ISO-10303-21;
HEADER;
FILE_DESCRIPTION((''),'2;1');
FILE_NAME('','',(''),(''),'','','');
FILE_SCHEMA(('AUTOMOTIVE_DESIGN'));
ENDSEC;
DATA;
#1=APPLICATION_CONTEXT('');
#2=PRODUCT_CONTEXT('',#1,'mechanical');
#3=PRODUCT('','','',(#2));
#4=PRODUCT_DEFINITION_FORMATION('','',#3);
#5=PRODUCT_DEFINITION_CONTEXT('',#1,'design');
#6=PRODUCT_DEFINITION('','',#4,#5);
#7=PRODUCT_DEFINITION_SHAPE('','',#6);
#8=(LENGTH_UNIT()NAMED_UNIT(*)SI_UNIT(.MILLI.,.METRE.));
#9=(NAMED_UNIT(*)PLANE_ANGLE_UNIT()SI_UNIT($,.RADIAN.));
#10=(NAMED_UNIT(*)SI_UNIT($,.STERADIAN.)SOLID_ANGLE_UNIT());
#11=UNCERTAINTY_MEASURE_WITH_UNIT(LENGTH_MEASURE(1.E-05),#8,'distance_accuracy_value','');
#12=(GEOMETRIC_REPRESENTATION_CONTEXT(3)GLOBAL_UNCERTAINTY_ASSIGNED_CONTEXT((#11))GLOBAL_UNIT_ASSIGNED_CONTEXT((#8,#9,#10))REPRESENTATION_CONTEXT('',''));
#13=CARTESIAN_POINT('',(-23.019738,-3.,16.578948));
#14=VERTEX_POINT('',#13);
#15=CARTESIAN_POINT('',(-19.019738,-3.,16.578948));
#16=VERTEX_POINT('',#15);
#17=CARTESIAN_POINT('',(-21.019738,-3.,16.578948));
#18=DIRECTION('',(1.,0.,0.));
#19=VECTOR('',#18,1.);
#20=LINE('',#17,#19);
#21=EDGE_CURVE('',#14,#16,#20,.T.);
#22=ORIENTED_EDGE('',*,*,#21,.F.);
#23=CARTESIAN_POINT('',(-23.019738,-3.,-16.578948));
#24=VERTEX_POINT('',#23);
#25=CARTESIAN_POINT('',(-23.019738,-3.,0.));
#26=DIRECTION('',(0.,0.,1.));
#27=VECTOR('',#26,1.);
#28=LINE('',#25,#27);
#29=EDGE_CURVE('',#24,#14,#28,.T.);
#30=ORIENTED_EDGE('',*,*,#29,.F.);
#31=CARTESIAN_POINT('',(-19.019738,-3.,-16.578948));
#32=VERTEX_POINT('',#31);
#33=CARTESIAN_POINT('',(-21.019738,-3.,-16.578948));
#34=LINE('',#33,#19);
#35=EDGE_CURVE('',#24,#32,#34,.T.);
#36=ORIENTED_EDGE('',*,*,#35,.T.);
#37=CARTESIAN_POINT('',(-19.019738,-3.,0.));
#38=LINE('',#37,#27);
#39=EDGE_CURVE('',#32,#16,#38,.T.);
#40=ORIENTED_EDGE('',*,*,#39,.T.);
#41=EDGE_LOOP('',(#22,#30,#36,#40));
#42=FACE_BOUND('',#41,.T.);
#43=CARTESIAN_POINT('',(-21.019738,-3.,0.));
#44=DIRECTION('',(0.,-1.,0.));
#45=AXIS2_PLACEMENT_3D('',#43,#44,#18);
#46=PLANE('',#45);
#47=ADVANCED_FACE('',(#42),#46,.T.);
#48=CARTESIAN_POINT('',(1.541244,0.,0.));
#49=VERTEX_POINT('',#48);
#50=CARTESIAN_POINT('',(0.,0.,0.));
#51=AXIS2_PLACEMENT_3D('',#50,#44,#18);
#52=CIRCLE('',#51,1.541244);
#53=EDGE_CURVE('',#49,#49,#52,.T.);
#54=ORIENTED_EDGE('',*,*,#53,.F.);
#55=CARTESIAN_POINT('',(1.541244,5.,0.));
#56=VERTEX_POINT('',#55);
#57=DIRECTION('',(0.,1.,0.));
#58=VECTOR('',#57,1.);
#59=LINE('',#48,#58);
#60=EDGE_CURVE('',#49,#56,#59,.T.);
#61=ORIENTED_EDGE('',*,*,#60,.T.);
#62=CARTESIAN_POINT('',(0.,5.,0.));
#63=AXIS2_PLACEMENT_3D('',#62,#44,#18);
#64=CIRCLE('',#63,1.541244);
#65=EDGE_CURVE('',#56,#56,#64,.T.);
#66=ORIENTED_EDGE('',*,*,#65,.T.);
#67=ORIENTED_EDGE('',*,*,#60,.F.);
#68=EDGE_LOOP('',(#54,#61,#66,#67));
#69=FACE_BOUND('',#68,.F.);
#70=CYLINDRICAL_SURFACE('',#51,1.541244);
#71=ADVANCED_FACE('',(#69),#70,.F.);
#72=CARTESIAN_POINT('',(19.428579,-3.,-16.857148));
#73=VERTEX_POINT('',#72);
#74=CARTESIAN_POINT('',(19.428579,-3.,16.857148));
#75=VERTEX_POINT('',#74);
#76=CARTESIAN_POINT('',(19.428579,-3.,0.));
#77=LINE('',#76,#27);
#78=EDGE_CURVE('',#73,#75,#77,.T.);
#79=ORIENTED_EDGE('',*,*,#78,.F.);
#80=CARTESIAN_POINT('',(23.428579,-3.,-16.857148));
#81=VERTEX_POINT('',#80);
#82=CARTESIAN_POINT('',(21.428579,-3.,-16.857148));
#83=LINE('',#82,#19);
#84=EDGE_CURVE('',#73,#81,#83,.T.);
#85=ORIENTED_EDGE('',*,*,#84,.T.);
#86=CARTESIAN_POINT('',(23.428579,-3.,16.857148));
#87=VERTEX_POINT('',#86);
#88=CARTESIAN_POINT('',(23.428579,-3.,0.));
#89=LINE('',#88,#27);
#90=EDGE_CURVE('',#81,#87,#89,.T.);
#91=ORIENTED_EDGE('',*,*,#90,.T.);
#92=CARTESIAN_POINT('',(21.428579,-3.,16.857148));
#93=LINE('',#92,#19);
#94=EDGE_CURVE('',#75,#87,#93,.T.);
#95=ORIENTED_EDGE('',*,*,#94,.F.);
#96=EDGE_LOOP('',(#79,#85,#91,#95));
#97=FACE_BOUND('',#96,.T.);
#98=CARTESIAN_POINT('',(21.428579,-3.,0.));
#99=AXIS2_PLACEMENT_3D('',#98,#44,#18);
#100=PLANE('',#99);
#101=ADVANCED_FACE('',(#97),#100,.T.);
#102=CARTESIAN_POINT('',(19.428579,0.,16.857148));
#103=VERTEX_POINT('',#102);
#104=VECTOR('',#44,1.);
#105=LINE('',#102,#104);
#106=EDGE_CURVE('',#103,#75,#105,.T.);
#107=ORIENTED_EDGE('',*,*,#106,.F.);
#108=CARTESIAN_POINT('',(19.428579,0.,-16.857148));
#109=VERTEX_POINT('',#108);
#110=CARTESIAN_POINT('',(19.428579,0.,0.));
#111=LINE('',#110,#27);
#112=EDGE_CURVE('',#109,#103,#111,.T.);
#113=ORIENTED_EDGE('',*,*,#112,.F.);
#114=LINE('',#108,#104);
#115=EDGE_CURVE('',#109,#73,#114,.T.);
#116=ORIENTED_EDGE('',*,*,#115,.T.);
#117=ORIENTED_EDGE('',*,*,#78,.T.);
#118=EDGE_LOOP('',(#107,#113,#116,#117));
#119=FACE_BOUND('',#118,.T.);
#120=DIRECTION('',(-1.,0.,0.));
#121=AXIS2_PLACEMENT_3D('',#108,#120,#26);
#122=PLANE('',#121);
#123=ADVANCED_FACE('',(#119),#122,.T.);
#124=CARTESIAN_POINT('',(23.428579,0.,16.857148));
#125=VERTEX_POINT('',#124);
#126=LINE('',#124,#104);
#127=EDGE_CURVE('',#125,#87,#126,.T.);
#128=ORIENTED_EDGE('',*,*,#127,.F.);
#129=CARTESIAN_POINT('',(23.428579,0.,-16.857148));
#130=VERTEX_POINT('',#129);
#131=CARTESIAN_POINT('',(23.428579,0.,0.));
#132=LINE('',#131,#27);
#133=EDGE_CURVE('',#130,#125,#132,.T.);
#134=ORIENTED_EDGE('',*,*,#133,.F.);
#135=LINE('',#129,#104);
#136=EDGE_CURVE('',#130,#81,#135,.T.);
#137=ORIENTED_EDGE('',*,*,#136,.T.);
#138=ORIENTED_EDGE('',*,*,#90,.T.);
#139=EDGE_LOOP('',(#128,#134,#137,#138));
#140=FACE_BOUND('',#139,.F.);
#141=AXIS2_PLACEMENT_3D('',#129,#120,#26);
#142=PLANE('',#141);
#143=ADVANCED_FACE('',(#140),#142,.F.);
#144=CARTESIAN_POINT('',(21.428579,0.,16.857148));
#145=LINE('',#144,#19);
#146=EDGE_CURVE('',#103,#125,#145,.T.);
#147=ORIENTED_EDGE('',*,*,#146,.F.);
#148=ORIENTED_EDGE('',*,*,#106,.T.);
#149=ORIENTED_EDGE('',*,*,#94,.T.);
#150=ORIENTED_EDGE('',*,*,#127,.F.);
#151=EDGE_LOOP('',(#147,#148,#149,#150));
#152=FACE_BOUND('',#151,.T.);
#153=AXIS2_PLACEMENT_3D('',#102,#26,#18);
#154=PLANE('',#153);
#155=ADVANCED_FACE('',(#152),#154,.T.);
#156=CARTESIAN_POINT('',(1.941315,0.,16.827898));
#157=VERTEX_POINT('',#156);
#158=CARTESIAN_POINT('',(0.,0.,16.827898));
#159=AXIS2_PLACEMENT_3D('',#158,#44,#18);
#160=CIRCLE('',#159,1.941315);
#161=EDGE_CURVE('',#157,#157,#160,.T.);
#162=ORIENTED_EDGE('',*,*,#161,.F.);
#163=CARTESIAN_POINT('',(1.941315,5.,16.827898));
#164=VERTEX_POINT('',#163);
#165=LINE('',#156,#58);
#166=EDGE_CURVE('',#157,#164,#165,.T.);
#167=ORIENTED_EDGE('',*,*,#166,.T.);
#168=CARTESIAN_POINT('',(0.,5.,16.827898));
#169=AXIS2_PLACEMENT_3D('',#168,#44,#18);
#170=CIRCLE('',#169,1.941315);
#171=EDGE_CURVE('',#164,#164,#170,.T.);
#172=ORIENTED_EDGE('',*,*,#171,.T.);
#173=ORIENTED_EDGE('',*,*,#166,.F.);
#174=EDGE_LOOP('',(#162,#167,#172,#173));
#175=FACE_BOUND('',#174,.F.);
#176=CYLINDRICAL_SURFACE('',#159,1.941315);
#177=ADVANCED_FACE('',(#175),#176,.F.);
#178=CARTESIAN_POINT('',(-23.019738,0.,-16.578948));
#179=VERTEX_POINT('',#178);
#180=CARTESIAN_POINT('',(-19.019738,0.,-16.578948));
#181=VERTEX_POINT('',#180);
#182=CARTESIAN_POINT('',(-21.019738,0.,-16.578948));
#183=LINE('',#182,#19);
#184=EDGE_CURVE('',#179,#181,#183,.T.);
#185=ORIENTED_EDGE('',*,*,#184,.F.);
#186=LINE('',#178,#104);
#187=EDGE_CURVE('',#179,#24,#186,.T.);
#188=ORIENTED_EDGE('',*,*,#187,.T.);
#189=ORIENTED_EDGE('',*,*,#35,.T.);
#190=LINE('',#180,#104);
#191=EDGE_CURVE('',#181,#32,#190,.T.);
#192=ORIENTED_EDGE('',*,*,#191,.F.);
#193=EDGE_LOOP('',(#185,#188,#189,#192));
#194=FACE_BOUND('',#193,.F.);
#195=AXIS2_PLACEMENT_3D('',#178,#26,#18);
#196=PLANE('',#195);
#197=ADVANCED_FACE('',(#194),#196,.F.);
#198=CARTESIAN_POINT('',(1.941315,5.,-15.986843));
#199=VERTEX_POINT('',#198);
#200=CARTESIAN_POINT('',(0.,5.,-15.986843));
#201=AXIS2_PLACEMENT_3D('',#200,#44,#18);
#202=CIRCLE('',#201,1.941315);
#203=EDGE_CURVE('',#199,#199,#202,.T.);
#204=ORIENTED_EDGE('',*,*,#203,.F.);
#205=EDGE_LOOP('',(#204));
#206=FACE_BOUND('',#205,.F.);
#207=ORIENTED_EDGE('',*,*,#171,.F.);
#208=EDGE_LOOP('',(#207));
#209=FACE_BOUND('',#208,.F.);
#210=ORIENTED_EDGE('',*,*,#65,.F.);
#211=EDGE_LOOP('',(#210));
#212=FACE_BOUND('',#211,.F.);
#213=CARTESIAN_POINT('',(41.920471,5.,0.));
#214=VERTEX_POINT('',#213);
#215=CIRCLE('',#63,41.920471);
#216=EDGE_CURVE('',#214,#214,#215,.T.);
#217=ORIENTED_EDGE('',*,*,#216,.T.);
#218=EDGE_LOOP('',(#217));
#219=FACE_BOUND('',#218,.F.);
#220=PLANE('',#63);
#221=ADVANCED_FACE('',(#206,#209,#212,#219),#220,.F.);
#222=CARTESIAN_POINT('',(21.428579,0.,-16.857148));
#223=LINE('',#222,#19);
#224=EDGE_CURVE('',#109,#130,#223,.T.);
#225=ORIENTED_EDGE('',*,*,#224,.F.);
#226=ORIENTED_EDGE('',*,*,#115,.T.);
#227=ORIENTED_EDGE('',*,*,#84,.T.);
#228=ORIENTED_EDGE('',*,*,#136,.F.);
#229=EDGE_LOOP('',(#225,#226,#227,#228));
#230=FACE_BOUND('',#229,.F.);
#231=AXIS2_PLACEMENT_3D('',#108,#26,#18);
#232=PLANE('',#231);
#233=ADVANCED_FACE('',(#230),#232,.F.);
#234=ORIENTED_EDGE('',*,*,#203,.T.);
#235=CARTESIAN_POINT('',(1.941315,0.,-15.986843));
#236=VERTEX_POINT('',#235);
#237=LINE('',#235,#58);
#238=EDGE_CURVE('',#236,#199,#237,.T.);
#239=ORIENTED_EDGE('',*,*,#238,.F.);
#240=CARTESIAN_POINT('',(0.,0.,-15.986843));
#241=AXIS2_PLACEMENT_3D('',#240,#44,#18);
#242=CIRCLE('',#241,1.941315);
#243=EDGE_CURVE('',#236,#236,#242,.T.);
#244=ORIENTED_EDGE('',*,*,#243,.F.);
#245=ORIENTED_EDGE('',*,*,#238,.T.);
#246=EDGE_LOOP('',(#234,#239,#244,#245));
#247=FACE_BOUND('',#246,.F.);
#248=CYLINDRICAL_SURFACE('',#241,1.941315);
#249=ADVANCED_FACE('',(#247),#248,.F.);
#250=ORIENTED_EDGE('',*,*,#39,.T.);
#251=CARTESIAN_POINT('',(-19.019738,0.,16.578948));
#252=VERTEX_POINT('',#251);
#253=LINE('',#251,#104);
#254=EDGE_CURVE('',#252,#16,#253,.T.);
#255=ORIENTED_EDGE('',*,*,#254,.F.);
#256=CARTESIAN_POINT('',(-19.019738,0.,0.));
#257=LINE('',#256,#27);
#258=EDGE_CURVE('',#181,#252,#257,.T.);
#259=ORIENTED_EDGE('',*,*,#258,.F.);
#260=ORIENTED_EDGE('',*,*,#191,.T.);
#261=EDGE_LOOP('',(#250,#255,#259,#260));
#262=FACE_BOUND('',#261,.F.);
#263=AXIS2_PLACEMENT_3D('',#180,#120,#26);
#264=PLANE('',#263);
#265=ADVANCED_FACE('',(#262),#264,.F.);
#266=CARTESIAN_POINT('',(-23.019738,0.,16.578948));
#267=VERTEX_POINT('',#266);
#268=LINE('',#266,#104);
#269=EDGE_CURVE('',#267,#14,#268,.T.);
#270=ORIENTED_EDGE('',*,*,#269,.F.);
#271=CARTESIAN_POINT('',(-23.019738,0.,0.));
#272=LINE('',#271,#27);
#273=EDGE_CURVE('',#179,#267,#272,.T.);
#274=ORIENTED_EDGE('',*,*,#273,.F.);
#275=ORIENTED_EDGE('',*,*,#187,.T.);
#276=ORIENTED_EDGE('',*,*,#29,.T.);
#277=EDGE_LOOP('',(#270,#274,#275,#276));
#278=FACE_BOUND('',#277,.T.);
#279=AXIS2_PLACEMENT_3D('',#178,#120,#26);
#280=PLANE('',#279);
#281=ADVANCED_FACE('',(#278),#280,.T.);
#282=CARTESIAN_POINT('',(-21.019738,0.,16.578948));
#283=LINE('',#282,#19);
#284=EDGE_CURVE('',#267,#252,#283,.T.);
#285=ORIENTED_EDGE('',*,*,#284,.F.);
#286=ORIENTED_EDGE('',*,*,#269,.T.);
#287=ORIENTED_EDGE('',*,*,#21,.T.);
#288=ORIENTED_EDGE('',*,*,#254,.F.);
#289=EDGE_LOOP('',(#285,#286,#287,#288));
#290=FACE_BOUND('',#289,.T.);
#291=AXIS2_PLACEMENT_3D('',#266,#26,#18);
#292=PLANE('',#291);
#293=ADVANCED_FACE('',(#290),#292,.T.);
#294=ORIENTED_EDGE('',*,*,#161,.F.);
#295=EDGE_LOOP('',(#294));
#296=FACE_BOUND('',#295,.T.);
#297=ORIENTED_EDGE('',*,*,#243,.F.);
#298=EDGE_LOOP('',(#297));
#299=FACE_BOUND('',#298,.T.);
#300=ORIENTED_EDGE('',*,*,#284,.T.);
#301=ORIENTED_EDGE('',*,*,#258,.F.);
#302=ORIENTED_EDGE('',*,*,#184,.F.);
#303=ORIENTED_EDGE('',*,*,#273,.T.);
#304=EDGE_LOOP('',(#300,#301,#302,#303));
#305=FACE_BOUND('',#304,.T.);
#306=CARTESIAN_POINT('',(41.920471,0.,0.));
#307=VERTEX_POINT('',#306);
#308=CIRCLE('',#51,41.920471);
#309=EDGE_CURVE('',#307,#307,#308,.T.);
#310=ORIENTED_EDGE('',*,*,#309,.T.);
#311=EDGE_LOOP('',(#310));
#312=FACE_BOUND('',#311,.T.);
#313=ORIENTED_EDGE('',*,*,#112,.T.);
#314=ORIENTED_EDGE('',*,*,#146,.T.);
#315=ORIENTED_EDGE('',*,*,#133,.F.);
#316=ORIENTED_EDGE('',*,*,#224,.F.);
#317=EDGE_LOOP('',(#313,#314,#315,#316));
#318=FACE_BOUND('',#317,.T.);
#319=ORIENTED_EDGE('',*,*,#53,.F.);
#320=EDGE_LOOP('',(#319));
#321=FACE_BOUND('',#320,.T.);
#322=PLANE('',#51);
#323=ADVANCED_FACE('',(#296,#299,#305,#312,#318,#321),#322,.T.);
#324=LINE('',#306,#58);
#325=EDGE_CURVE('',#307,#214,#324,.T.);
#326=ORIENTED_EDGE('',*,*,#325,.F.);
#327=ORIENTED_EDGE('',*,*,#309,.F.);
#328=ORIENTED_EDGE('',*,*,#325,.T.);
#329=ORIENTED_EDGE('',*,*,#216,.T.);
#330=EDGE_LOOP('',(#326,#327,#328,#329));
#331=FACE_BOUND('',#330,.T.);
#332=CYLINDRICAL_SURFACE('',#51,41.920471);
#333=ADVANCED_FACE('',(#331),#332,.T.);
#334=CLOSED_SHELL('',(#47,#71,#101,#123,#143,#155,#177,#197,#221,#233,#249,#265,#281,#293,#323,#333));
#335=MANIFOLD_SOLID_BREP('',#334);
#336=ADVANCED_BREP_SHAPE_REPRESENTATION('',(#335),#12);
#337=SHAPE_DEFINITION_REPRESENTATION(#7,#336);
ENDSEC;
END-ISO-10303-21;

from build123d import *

# Parameters (mm, degrees)
F0_R     = 41.920471
F1_DEPTH = 5
F2_R     = 1.941315
F2_R_2   = 1.541244
F3_DEPTH = 50.7
F4_W     = 4
F4_H     = 33.157896
F4_H_2   = 33.714296
F6_DEPTH = 3


with BuildPart() as f1:
    # F0 (on Front) → F1 (new body)
    with BuildSketch(Plane.XZ):
        Circle(F0_R)
    extrude(amount=-F1_DEPTH)

    # F2 (on Front) → F3 (cut)
    with BuildSketch(Plane.XZ):
        with Locations((0, 16.827898)):
            Circle(F2_R)
        with Locations((0, -15.986843)):
            Circle(F2_R)
        Circle(F2_R_2)
    extrude(amount=-F3_DEPTH, mode=Mode.SUBTRACT)

    # F4 (on Front) → F6 (join)
    with BuildSketch(Plane.XZ):
        with Locations((-21.019738, 0)):
            Rectangle(F4_W, F4_H)
        with Locations((21.428579, 0)):
            Rectangle(F4_W, F4_H_2)
    extrude(amount=F6_DEPTH)


solid = f1.part
